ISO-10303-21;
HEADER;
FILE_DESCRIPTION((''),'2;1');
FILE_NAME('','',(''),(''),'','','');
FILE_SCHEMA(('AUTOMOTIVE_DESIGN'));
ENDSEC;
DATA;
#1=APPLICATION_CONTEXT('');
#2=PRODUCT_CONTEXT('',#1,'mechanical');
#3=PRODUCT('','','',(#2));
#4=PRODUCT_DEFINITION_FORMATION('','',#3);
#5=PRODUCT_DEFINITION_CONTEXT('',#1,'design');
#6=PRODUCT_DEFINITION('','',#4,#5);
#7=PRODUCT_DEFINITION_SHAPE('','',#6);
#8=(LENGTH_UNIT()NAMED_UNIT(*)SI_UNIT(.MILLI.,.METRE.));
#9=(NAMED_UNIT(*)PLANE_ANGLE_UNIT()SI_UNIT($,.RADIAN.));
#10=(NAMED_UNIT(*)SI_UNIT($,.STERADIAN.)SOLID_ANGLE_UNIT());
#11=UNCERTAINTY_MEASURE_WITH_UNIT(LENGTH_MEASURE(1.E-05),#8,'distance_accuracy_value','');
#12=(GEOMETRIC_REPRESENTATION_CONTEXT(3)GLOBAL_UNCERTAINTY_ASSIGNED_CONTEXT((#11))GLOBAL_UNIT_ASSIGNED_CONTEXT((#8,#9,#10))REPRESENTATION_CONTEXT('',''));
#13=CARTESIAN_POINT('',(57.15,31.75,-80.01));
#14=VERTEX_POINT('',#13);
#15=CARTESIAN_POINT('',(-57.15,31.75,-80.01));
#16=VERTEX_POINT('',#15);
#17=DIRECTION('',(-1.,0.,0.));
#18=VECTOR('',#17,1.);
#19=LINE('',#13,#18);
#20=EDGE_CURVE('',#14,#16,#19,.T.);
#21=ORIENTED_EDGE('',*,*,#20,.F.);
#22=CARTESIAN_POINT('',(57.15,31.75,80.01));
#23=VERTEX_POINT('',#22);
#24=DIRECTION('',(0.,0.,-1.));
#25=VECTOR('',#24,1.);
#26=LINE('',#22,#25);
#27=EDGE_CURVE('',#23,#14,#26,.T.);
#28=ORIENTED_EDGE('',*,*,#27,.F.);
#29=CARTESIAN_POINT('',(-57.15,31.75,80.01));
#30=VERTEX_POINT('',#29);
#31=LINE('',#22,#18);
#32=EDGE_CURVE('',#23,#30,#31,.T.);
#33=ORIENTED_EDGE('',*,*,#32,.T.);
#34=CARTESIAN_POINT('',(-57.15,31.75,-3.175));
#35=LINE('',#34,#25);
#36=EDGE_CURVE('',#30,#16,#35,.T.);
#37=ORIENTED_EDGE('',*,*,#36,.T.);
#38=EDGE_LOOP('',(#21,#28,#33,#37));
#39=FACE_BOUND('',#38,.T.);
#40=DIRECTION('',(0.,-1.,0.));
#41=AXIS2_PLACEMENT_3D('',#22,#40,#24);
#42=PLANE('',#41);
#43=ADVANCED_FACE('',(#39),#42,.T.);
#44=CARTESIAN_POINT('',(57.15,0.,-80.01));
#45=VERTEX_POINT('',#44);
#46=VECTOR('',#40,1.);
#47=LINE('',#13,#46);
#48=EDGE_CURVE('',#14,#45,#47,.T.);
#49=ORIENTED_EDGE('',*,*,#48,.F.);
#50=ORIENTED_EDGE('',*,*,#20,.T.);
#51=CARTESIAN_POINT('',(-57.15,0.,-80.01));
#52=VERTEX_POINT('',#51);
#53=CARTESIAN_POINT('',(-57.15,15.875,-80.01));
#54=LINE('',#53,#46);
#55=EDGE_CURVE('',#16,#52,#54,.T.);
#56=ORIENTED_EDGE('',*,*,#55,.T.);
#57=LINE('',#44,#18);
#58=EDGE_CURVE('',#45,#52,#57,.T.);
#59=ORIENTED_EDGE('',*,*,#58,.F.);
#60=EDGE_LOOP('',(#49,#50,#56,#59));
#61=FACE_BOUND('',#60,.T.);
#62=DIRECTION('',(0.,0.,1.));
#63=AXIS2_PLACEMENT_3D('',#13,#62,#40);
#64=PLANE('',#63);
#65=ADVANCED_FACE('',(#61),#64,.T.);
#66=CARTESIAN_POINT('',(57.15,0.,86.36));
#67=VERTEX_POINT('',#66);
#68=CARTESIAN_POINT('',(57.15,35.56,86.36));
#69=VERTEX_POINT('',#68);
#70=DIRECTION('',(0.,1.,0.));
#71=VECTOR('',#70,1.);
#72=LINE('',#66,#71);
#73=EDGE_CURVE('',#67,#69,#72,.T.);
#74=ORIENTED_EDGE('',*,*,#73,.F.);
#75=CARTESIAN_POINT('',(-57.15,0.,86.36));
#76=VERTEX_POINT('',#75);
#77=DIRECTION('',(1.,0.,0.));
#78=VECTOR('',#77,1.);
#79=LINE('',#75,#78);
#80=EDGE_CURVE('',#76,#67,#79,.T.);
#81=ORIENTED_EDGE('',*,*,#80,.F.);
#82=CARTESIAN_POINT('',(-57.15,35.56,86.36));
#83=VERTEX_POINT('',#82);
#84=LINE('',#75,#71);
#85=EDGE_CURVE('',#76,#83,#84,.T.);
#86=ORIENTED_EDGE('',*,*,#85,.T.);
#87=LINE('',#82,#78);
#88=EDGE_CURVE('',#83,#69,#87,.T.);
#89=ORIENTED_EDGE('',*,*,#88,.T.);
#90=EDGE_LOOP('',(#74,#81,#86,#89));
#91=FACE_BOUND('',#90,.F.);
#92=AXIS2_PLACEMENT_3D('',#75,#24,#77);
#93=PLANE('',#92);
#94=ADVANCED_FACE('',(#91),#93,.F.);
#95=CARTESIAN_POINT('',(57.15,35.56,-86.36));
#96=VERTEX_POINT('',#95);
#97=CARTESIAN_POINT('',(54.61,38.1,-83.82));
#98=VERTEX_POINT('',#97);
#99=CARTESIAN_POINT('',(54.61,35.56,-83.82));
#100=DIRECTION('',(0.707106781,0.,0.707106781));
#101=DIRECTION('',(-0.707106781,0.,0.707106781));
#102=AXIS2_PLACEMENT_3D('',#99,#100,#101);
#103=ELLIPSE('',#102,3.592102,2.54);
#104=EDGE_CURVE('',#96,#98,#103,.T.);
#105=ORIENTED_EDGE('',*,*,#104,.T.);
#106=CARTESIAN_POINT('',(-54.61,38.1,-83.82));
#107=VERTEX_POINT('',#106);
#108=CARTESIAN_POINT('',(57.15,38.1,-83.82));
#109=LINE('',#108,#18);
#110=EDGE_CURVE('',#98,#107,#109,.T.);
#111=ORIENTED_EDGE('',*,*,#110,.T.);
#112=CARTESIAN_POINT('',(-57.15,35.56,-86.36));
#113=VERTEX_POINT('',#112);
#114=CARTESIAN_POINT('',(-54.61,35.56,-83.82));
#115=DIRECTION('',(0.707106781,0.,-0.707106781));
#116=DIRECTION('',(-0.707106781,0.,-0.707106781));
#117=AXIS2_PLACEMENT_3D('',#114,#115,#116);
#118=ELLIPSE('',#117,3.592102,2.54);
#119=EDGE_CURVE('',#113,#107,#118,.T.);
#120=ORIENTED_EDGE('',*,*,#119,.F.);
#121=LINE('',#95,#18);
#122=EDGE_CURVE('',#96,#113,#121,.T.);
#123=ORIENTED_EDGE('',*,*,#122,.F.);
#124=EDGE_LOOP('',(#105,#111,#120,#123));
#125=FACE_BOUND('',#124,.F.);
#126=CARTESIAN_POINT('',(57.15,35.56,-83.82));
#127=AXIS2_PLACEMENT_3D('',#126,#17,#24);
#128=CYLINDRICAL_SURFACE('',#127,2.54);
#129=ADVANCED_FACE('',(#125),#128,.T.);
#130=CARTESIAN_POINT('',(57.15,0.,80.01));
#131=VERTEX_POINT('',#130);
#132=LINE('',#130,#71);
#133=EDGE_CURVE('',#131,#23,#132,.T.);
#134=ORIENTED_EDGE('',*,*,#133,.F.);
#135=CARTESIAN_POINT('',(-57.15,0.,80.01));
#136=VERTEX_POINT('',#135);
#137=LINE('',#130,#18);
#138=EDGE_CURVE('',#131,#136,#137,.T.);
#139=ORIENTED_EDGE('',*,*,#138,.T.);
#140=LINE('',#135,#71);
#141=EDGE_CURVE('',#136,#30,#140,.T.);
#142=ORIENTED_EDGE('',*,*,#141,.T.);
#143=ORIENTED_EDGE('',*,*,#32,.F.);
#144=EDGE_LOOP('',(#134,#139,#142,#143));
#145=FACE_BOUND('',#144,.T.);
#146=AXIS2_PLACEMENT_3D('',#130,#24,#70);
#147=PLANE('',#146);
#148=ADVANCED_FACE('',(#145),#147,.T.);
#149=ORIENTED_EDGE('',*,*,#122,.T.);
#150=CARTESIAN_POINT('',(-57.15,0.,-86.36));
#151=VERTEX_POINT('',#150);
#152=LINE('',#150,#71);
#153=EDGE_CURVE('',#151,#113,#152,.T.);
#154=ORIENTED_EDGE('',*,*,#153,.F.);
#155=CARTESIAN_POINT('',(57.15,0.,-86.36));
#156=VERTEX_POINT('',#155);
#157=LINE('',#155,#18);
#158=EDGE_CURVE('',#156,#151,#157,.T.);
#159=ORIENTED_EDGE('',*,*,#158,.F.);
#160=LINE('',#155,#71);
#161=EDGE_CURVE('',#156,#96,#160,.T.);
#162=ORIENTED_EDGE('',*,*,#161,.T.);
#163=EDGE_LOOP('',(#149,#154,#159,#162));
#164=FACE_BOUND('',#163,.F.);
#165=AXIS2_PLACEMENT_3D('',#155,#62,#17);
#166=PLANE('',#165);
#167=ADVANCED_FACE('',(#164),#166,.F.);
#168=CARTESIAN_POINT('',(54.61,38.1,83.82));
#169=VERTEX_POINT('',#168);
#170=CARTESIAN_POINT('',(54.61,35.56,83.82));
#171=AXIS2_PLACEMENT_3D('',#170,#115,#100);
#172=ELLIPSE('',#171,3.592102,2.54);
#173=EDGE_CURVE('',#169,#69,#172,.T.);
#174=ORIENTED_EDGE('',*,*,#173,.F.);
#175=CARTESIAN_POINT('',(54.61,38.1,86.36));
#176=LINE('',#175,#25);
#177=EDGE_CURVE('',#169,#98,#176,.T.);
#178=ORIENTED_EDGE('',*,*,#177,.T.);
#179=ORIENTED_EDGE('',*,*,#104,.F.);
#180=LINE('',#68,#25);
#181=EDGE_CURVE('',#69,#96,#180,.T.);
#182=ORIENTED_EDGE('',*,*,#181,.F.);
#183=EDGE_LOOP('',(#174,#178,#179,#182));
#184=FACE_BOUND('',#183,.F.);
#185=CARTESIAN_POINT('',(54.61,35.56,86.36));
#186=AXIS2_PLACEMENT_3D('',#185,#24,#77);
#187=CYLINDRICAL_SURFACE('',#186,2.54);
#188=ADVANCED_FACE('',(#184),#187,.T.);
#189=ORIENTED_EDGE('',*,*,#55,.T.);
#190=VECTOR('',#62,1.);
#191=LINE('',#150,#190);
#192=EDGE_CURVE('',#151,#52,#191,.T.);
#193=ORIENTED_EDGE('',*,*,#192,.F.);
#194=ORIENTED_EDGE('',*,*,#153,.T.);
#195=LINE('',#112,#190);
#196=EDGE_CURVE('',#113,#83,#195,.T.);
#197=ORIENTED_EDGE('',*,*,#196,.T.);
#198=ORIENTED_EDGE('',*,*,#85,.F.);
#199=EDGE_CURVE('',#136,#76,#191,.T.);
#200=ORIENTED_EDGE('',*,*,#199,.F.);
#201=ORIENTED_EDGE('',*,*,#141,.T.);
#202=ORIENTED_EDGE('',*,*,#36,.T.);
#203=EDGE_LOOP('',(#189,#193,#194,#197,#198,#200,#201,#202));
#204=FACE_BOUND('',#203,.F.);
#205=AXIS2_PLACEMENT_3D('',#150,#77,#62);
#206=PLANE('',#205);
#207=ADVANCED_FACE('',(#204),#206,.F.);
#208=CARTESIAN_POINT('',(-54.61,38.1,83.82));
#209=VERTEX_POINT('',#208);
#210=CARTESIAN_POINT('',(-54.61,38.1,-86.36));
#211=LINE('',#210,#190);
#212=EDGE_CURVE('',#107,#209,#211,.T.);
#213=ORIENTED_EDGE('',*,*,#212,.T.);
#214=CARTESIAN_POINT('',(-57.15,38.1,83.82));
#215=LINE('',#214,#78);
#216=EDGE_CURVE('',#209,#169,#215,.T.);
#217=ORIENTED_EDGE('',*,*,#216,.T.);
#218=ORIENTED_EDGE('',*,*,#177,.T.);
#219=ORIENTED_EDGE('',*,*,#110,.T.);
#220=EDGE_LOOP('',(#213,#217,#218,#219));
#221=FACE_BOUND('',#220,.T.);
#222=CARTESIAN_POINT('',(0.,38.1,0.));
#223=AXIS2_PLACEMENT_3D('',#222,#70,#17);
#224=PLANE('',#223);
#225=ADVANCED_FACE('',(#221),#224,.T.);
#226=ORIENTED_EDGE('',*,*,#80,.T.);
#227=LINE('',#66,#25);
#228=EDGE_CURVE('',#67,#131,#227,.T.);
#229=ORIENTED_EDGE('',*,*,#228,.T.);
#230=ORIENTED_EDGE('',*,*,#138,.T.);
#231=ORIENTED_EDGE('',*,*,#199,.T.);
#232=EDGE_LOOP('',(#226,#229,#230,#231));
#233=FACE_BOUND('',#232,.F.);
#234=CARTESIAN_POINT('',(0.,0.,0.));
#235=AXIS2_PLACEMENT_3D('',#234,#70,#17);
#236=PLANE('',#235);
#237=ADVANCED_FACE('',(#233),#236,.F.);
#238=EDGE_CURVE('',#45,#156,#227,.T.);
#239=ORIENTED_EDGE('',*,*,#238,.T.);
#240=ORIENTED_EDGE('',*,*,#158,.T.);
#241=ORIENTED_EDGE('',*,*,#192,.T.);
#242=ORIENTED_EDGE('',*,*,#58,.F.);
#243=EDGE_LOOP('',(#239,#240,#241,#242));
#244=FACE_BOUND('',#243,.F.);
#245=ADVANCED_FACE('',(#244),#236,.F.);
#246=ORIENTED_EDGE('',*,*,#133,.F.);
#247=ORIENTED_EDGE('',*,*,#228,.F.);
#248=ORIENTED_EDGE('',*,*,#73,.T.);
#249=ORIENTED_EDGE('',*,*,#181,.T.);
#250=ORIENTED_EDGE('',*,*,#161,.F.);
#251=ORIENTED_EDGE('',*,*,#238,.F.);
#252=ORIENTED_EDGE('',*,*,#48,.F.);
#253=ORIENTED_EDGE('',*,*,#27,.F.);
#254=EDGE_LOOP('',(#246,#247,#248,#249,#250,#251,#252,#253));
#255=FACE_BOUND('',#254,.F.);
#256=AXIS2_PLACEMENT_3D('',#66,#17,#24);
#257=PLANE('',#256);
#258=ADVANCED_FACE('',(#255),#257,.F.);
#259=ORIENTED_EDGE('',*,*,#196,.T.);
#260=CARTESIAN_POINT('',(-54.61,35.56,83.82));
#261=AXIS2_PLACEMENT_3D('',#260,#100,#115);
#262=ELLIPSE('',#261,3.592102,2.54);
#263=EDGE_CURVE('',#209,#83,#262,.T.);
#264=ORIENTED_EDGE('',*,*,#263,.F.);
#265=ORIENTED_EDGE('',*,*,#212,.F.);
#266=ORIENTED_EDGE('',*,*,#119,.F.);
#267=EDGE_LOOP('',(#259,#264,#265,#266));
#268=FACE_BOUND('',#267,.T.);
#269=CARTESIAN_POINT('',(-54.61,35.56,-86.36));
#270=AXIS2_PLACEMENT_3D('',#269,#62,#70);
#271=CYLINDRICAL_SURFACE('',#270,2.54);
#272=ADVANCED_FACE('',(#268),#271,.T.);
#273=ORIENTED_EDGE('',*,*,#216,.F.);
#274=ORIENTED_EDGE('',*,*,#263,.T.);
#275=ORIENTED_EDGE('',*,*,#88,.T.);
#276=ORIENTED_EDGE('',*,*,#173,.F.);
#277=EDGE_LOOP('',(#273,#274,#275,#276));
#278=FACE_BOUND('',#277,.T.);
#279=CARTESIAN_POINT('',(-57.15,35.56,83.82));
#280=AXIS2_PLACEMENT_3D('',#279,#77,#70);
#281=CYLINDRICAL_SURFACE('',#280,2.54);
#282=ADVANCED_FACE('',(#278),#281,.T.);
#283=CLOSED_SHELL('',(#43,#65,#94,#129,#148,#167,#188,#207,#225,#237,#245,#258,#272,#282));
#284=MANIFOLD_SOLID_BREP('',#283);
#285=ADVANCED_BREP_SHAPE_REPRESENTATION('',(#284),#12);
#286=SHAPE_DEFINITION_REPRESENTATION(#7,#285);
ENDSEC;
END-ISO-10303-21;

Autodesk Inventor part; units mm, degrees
ref_plane "YZ Plane" through (0, 0, 0) normal (1, 0, 0) x (0, 1, 0)
ref_plane "XZ Plane" through (0, 0, 0) normal (0, 1, 0) x (-1, 0, 0)
ref_plane "XY Plane" through (0, 0, 0) normal (0, 0, 1) x (1, 0, 0)
sketch "Sketch1" plane through (0, 0, 0) normal (0, 1, 0) x (-1, 0, 0)
  line L0 (-57.15, -86.36) -> (57.15, -86.36)
  line L1 (57.15, -86.36) -> (57.15, 86.36)
  line L2 (57.15, 86.36) -> (-57.15, 86.36)
  line L3 (-57.15, 86.36) -> (-57.15, -86.36)
  line L4 (-57.15, -86.36) -> (57.15, 86.36) construction
  line L5 (57.15, -86.36) -> (-57.15, 86.36) construction
  point P0 (0, 0)
  dimension "d0" = 114.3
  dimension "d1" = 172.72
extrude "Extrusion1" add sketch "Sketch1" along normal blind 38.1
sketch "Sketch2" plane through (57.15, 0, 86.36) normal (1, 0, 0) x (0, 0, -1)
  line L0 (6.35, 31.75) -> (166.37, 31.75)
  line L1 (166.37, 31.75) -> (166.37, 0)
  line L2 (166.37, 0) -> (6.35, 0)
  line L3 (6.35, 0) -> (6.35, 31.75)
  line L4 (0, 0) -> (172.72, 0) projected
  line L5 (172.72, 0) -> (172.72, 38.1) projected
  point P0 (86.36, 0)
  dimension "d4" = 160.02
  dimension "d5" = 31.75
  dimension "d6" = 0
  dimension "d7" = 6.35
extrude "Extrusion2" cut sketch "Sketch2" against normal blind 127
fillet "Fillet1" radius 2.54 4 edges at (0, 38.1, 86.36) (0, 38.1, -86.36) (57.15, 38.1, 0) (-57.15, 38.1, 0)
sketch "Sketch3" plane through (-57.15, 0, 86.36) normal (0, 0, 1) x (1, 0, 0)
  point P0 (57.15, 0)
properties part number "NavX_Box"
